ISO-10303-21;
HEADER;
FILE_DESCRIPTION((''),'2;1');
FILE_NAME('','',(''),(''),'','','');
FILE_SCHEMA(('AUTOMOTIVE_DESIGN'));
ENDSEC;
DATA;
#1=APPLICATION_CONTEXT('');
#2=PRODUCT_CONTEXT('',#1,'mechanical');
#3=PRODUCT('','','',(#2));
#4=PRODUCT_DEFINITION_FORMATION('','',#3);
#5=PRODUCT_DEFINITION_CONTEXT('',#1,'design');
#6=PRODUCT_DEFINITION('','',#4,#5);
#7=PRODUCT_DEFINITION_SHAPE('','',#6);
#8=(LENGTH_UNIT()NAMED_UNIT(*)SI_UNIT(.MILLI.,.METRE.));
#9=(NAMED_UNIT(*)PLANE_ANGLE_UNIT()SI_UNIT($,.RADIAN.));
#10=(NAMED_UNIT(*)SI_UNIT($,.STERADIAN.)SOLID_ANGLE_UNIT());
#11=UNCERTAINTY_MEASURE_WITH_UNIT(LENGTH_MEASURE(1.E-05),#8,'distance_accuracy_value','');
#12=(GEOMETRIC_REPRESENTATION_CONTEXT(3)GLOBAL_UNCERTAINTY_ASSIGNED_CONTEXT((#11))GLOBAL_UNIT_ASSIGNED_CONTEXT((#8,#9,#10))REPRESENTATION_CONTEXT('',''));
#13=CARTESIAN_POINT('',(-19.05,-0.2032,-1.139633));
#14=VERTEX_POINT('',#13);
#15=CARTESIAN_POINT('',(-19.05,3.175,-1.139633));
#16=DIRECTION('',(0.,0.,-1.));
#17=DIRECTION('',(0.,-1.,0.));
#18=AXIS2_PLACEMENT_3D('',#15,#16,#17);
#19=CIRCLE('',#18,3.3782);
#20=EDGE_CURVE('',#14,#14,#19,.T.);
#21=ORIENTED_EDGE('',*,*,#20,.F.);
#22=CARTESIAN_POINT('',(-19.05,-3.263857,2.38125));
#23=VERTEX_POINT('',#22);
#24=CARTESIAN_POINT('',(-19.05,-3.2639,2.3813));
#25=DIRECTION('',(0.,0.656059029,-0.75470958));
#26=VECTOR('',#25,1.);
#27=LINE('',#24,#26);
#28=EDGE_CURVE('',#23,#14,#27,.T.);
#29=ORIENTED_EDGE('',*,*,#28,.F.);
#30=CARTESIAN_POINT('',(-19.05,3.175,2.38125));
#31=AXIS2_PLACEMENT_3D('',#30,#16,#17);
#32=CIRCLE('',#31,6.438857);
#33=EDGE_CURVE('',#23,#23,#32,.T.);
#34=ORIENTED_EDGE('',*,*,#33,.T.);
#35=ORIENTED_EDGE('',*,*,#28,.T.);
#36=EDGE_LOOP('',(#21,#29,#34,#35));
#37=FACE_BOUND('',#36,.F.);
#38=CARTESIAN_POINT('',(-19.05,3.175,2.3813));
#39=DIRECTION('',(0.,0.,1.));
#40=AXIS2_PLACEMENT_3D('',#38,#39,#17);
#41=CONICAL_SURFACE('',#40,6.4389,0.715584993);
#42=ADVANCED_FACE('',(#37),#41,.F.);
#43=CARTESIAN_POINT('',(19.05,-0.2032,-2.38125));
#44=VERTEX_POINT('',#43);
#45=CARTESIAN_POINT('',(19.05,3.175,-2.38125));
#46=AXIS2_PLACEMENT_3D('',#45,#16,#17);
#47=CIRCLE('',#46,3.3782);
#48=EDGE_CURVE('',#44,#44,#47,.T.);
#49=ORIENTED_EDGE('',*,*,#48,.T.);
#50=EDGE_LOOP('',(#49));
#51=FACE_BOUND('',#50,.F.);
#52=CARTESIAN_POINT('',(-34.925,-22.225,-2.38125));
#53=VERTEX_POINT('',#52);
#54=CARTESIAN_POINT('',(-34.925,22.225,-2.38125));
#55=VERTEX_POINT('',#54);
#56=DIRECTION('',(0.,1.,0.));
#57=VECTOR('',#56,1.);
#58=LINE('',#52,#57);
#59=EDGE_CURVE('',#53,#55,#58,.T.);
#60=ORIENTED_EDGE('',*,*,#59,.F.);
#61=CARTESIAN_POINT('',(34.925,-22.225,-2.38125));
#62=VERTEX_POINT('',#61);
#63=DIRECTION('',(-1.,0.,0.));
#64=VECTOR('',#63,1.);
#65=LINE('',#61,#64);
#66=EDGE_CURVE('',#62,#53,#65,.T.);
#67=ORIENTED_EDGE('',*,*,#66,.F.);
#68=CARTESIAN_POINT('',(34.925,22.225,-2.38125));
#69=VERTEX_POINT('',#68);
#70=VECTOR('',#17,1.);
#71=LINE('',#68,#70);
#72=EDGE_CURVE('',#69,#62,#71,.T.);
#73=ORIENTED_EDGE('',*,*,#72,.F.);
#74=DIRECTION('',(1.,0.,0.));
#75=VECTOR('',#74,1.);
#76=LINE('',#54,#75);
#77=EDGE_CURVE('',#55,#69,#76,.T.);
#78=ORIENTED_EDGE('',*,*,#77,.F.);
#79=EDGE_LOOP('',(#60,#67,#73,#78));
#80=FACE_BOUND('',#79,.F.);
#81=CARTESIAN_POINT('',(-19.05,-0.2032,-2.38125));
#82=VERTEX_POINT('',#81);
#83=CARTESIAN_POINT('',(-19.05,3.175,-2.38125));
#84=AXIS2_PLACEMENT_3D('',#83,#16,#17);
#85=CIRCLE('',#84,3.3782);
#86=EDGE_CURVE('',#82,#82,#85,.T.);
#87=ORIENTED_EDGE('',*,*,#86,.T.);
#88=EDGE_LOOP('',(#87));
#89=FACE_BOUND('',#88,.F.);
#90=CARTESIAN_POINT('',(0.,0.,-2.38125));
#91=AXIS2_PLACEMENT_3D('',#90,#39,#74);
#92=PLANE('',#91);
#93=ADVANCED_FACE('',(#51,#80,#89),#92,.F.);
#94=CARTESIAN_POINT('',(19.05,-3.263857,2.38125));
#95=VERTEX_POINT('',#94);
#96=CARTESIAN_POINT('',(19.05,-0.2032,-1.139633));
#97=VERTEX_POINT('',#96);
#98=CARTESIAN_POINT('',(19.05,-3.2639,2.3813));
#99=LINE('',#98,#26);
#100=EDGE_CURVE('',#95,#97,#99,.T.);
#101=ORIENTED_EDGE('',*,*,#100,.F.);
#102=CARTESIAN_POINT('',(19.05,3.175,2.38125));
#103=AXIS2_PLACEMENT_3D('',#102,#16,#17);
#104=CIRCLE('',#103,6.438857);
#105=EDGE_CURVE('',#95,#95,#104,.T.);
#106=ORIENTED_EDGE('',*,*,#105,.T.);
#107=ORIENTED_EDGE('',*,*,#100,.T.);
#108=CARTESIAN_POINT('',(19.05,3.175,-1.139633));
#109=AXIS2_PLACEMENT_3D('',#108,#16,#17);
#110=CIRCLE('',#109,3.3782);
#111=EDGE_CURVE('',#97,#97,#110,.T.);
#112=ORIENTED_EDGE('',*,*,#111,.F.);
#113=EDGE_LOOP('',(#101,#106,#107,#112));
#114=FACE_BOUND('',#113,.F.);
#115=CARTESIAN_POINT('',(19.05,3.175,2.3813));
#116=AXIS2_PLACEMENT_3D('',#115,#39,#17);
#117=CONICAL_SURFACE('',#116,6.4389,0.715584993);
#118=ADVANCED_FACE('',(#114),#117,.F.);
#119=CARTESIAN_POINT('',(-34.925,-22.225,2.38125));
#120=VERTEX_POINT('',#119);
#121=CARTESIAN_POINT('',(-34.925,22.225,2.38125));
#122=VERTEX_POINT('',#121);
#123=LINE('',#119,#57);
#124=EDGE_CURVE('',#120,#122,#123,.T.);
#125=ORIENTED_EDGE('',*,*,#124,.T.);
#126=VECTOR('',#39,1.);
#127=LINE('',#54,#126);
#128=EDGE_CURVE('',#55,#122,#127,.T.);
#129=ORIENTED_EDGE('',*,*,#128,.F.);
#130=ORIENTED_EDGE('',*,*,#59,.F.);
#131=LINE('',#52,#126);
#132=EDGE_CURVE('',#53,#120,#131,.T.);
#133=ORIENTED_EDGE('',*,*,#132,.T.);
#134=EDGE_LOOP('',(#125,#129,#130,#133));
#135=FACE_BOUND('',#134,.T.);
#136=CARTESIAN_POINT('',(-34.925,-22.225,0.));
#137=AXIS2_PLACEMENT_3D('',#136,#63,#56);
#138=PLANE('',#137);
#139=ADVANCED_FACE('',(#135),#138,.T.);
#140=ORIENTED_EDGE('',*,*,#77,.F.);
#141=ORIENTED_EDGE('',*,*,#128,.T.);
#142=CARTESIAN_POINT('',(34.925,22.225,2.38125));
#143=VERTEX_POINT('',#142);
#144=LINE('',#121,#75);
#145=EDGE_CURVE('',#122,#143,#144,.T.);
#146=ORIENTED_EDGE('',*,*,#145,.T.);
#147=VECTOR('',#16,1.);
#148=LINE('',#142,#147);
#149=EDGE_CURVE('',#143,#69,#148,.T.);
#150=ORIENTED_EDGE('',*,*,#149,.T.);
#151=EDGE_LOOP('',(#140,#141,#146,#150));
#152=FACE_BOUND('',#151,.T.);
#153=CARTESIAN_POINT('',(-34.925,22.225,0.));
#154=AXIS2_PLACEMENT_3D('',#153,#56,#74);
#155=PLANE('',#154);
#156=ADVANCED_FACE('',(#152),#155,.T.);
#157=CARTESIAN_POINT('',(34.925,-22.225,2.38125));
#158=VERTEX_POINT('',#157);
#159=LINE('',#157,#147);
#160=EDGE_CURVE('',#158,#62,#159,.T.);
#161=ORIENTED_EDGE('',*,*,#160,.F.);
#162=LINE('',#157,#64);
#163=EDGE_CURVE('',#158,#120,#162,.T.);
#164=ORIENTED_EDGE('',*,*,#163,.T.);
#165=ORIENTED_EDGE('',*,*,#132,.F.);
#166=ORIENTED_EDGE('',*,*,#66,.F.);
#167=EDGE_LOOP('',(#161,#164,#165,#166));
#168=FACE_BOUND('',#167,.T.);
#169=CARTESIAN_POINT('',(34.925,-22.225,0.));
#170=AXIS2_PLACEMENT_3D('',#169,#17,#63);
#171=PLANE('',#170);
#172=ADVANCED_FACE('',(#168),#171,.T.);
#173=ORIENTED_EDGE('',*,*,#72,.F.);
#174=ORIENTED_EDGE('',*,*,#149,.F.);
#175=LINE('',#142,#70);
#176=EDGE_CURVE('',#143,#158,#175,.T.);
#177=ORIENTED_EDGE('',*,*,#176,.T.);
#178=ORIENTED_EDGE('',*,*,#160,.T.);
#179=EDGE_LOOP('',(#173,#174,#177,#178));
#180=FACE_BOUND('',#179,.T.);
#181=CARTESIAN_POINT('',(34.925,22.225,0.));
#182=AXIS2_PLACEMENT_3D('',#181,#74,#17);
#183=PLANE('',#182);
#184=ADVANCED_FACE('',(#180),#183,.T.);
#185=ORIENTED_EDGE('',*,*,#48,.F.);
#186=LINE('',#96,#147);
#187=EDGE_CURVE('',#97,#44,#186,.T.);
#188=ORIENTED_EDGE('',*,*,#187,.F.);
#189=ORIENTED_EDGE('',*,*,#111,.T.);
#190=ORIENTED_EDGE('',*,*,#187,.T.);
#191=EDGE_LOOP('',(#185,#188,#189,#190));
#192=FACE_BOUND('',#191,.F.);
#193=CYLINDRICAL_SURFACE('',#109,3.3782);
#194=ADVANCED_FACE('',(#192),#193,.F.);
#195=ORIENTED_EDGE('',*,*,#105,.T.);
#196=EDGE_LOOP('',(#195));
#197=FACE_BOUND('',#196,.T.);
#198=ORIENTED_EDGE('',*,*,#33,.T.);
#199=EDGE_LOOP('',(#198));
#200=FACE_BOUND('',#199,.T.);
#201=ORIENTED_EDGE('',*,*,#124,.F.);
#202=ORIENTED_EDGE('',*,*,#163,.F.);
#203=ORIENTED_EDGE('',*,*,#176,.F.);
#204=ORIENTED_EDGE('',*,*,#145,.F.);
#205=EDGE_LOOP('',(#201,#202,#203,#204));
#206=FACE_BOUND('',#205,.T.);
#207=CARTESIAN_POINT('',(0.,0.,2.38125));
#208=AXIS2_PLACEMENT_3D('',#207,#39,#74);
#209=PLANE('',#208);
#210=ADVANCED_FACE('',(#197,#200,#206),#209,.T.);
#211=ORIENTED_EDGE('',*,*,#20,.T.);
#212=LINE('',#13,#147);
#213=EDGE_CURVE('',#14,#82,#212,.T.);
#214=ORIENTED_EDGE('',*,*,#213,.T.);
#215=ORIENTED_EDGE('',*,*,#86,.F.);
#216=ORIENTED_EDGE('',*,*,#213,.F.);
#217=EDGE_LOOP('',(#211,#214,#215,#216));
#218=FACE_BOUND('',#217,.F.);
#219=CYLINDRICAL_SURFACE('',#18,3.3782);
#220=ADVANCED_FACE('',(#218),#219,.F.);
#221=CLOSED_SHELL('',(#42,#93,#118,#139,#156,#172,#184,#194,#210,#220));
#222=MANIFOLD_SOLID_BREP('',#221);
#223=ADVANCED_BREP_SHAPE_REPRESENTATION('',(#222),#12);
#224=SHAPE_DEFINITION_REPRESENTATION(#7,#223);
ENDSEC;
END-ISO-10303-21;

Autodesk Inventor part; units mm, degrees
ref_plane "YZ Plane" through (0, 0, 0) normal (1, 0, 0) x (0, 1, 0)
ref_plane "XZ Plane" through (0, 0, 0) normal (0, 1, 0) x (-1, 0, 0)
ref_plane "XY Plane" through (0, 0, 0) normal (0, 0, 1) x (1, 0, 0)
sketch "Sketch1" plane through (0, 0, 0) normal (0, 0, 1) x (1, 0, 0)
  line L0 (-34.925, 22.225) -> (34.925, 22.225)
  line L1 (34.925, 22.225) -> (34.925, -22.225)
  line L2 (34.925, -22.225) -> (-34.925, -22.225)
  line L3 (-34.925, -22.225) -> (-34.925, 22.225)
  point P0 (0, 0)
  dimension "d0" = 69.85
  dimension "d1" = 44.45
  dimension "d2" = 34.925
  dimension "d3" = 22.225
extrude "Extrusion1" add sketch "Sketch1" along normal mid plane 4.7625
sketch "Sketch2" plane through (0, 0, 2.3813) normal (0, 0, 1) x (1, 0, 0)
  line L0 (-34.925, -22.225) -> (-34.925, 22.225) projected
  line L1 (34.925, -22.225) -> (-34.925, -22.225) projected
  point P0 (-19.05, 3.175)
  point P1 (19.05, 3.175)
  dimension "d6" = 25.4
  dimension "d7" = 15.875
  dimension "d8" = 38.1
hole "Hole1" at (-19.05, 3.175, 2.3813) at (19.05, 3.175, 2.3813) direction (0, 0, -1) diameter 6.7564 depth 19.05 tip angle 118 countersink diameter 12.8778 countersink angle 82 clearance for "Flat Head Machine Screw (82)" size "1/4" standard "Ansi Unified Screw Threads"
equation "\"d2\" = 0.5 * d0"
equation "\"d3\" = 0.5 * d1"
properties part number "Jaw_Plate" material "Steel, High Strength Low Alloy"
